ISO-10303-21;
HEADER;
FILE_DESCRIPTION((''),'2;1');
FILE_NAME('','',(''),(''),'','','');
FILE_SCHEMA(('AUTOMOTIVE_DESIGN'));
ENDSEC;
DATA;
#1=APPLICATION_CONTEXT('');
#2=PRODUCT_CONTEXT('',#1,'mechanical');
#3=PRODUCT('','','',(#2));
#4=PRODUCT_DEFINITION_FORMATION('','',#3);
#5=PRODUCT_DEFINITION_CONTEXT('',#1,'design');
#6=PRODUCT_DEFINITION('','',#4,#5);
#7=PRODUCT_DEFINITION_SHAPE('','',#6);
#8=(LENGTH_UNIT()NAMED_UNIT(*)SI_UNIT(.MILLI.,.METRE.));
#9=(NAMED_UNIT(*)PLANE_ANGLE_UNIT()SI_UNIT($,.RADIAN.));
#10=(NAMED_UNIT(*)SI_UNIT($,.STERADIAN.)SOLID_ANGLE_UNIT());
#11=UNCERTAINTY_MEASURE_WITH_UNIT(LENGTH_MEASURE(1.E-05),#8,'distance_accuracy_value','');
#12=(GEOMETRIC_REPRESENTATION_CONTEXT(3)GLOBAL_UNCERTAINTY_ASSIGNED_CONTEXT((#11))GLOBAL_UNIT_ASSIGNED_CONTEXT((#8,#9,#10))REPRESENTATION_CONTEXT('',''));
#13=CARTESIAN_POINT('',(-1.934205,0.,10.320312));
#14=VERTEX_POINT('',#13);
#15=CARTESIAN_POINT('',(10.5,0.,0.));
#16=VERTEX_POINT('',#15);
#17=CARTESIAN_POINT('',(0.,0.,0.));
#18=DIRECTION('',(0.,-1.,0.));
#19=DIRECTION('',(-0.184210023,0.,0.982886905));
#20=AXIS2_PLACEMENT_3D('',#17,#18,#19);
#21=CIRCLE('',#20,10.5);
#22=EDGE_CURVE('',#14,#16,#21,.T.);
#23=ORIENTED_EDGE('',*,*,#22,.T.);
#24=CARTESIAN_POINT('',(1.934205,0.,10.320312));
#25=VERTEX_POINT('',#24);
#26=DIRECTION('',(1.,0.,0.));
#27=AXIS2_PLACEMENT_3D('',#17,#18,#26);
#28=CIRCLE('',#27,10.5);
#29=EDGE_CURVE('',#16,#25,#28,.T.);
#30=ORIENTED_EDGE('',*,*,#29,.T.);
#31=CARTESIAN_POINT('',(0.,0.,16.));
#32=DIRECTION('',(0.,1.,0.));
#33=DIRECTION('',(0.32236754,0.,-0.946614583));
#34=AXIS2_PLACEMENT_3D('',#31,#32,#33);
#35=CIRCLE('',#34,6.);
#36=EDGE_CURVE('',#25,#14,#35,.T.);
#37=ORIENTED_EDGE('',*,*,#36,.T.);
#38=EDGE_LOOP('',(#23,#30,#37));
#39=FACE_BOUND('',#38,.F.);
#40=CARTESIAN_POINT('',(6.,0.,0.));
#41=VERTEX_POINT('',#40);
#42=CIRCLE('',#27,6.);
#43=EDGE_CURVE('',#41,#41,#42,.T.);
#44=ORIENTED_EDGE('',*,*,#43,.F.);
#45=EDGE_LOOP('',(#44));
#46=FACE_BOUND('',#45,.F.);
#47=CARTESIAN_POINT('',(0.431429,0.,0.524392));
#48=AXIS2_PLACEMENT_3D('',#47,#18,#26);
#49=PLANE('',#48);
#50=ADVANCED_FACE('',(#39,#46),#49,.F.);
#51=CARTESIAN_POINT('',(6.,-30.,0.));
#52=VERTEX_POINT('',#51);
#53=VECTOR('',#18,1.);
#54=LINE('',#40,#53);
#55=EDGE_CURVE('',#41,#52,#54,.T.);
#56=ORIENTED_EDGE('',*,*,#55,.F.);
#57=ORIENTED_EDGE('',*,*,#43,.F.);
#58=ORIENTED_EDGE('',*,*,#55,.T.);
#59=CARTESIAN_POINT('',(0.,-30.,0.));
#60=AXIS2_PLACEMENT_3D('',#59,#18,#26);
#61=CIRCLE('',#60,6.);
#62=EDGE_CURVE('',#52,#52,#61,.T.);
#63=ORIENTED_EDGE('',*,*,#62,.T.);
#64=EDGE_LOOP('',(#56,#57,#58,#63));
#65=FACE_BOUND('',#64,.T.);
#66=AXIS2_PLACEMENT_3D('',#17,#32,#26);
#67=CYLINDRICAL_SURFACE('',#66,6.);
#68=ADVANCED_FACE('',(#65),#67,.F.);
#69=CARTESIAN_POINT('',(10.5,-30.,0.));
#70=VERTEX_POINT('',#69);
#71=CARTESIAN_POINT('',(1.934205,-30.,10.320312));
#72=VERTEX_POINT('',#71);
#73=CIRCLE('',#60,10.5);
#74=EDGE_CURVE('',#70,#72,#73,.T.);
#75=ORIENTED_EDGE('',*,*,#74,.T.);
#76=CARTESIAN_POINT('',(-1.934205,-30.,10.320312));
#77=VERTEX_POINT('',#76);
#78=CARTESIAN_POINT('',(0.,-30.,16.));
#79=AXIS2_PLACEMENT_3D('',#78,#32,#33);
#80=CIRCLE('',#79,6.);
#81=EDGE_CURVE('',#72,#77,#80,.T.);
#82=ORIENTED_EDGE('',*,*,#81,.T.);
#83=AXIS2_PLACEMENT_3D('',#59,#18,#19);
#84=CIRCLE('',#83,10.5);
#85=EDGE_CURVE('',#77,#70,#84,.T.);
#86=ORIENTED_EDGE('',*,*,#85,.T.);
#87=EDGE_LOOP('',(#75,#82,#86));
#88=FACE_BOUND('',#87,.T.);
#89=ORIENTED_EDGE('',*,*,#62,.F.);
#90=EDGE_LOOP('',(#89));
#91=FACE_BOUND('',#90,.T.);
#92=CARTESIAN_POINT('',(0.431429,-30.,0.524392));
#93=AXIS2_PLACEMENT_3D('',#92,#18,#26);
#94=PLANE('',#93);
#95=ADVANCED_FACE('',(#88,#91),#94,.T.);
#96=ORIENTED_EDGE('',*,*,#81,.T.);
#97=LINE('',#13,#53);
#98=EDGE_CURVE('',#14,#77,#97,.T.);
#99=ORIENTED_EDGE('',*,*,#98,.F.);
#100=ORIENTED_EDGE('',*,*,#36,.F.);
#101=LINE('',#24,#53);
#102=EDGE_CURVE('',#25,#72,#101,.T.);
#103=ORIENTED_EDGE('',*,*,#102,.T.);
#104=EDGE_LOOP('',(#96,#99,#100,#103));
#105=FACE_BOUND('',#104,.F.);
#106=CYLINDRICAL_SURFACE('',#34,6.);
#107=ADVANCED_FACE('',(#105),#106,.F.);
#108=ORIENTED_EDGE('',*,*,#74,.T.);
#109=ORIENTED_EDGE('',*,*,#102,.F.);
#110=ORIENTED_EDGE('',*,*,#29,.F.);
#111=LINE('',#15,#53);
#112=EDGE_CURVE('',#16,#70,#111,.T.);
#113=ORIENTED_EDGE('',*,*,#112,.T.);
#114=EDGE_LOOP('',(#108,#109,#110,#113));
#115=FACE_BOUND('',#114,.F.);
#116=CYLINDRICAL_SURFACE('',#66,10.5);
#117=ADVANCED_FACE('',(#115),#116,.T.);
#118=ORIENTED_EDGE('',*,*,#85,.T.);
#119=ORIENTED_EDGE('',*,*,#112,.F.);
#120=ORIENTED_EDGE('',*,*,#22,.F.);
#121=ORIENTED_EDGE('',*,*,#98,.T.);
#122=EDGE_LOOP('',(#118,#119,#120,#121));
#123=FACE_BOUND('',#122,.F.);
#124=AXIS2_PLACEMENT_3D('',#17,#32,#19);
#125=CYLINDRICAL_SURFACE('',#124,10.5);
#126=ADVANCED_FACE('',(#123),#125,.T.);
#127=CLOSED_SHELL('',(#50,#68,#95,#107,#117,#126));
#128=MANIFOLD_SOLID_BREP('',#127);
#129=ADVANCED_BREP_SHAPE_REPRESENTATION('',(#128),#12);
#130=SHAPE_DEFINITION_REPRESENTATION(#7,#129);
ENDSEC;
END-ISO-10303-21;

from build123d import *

# Parameters (mm, degrees)
F0_R     = 6
F1_DEPTH = 30


with BuildPart() as f1:
    # F0 (on Front) → F1 (new body)
    with BuildSketch(Plane.XZ):
        with BuildLine():
            ThreePointArc((-1.9342052379, 10.3203125), (-6.7059989935, -8.0795778045), (10.5, 0))
            ThreePointArc((10.5, 0), (8.0795778045, 6.7059989935), (1.9342052379, 10.3203125))
            ThreePointArc((1.9342052379, 10.3203125), (0, 10), (-1.9342052379, 10.3203125))
        make_face()
        Circle(F0_R, mode=Mode.SUBTRACT)
    extrude(amount=F1_DEPTH)


solid = f1.part
